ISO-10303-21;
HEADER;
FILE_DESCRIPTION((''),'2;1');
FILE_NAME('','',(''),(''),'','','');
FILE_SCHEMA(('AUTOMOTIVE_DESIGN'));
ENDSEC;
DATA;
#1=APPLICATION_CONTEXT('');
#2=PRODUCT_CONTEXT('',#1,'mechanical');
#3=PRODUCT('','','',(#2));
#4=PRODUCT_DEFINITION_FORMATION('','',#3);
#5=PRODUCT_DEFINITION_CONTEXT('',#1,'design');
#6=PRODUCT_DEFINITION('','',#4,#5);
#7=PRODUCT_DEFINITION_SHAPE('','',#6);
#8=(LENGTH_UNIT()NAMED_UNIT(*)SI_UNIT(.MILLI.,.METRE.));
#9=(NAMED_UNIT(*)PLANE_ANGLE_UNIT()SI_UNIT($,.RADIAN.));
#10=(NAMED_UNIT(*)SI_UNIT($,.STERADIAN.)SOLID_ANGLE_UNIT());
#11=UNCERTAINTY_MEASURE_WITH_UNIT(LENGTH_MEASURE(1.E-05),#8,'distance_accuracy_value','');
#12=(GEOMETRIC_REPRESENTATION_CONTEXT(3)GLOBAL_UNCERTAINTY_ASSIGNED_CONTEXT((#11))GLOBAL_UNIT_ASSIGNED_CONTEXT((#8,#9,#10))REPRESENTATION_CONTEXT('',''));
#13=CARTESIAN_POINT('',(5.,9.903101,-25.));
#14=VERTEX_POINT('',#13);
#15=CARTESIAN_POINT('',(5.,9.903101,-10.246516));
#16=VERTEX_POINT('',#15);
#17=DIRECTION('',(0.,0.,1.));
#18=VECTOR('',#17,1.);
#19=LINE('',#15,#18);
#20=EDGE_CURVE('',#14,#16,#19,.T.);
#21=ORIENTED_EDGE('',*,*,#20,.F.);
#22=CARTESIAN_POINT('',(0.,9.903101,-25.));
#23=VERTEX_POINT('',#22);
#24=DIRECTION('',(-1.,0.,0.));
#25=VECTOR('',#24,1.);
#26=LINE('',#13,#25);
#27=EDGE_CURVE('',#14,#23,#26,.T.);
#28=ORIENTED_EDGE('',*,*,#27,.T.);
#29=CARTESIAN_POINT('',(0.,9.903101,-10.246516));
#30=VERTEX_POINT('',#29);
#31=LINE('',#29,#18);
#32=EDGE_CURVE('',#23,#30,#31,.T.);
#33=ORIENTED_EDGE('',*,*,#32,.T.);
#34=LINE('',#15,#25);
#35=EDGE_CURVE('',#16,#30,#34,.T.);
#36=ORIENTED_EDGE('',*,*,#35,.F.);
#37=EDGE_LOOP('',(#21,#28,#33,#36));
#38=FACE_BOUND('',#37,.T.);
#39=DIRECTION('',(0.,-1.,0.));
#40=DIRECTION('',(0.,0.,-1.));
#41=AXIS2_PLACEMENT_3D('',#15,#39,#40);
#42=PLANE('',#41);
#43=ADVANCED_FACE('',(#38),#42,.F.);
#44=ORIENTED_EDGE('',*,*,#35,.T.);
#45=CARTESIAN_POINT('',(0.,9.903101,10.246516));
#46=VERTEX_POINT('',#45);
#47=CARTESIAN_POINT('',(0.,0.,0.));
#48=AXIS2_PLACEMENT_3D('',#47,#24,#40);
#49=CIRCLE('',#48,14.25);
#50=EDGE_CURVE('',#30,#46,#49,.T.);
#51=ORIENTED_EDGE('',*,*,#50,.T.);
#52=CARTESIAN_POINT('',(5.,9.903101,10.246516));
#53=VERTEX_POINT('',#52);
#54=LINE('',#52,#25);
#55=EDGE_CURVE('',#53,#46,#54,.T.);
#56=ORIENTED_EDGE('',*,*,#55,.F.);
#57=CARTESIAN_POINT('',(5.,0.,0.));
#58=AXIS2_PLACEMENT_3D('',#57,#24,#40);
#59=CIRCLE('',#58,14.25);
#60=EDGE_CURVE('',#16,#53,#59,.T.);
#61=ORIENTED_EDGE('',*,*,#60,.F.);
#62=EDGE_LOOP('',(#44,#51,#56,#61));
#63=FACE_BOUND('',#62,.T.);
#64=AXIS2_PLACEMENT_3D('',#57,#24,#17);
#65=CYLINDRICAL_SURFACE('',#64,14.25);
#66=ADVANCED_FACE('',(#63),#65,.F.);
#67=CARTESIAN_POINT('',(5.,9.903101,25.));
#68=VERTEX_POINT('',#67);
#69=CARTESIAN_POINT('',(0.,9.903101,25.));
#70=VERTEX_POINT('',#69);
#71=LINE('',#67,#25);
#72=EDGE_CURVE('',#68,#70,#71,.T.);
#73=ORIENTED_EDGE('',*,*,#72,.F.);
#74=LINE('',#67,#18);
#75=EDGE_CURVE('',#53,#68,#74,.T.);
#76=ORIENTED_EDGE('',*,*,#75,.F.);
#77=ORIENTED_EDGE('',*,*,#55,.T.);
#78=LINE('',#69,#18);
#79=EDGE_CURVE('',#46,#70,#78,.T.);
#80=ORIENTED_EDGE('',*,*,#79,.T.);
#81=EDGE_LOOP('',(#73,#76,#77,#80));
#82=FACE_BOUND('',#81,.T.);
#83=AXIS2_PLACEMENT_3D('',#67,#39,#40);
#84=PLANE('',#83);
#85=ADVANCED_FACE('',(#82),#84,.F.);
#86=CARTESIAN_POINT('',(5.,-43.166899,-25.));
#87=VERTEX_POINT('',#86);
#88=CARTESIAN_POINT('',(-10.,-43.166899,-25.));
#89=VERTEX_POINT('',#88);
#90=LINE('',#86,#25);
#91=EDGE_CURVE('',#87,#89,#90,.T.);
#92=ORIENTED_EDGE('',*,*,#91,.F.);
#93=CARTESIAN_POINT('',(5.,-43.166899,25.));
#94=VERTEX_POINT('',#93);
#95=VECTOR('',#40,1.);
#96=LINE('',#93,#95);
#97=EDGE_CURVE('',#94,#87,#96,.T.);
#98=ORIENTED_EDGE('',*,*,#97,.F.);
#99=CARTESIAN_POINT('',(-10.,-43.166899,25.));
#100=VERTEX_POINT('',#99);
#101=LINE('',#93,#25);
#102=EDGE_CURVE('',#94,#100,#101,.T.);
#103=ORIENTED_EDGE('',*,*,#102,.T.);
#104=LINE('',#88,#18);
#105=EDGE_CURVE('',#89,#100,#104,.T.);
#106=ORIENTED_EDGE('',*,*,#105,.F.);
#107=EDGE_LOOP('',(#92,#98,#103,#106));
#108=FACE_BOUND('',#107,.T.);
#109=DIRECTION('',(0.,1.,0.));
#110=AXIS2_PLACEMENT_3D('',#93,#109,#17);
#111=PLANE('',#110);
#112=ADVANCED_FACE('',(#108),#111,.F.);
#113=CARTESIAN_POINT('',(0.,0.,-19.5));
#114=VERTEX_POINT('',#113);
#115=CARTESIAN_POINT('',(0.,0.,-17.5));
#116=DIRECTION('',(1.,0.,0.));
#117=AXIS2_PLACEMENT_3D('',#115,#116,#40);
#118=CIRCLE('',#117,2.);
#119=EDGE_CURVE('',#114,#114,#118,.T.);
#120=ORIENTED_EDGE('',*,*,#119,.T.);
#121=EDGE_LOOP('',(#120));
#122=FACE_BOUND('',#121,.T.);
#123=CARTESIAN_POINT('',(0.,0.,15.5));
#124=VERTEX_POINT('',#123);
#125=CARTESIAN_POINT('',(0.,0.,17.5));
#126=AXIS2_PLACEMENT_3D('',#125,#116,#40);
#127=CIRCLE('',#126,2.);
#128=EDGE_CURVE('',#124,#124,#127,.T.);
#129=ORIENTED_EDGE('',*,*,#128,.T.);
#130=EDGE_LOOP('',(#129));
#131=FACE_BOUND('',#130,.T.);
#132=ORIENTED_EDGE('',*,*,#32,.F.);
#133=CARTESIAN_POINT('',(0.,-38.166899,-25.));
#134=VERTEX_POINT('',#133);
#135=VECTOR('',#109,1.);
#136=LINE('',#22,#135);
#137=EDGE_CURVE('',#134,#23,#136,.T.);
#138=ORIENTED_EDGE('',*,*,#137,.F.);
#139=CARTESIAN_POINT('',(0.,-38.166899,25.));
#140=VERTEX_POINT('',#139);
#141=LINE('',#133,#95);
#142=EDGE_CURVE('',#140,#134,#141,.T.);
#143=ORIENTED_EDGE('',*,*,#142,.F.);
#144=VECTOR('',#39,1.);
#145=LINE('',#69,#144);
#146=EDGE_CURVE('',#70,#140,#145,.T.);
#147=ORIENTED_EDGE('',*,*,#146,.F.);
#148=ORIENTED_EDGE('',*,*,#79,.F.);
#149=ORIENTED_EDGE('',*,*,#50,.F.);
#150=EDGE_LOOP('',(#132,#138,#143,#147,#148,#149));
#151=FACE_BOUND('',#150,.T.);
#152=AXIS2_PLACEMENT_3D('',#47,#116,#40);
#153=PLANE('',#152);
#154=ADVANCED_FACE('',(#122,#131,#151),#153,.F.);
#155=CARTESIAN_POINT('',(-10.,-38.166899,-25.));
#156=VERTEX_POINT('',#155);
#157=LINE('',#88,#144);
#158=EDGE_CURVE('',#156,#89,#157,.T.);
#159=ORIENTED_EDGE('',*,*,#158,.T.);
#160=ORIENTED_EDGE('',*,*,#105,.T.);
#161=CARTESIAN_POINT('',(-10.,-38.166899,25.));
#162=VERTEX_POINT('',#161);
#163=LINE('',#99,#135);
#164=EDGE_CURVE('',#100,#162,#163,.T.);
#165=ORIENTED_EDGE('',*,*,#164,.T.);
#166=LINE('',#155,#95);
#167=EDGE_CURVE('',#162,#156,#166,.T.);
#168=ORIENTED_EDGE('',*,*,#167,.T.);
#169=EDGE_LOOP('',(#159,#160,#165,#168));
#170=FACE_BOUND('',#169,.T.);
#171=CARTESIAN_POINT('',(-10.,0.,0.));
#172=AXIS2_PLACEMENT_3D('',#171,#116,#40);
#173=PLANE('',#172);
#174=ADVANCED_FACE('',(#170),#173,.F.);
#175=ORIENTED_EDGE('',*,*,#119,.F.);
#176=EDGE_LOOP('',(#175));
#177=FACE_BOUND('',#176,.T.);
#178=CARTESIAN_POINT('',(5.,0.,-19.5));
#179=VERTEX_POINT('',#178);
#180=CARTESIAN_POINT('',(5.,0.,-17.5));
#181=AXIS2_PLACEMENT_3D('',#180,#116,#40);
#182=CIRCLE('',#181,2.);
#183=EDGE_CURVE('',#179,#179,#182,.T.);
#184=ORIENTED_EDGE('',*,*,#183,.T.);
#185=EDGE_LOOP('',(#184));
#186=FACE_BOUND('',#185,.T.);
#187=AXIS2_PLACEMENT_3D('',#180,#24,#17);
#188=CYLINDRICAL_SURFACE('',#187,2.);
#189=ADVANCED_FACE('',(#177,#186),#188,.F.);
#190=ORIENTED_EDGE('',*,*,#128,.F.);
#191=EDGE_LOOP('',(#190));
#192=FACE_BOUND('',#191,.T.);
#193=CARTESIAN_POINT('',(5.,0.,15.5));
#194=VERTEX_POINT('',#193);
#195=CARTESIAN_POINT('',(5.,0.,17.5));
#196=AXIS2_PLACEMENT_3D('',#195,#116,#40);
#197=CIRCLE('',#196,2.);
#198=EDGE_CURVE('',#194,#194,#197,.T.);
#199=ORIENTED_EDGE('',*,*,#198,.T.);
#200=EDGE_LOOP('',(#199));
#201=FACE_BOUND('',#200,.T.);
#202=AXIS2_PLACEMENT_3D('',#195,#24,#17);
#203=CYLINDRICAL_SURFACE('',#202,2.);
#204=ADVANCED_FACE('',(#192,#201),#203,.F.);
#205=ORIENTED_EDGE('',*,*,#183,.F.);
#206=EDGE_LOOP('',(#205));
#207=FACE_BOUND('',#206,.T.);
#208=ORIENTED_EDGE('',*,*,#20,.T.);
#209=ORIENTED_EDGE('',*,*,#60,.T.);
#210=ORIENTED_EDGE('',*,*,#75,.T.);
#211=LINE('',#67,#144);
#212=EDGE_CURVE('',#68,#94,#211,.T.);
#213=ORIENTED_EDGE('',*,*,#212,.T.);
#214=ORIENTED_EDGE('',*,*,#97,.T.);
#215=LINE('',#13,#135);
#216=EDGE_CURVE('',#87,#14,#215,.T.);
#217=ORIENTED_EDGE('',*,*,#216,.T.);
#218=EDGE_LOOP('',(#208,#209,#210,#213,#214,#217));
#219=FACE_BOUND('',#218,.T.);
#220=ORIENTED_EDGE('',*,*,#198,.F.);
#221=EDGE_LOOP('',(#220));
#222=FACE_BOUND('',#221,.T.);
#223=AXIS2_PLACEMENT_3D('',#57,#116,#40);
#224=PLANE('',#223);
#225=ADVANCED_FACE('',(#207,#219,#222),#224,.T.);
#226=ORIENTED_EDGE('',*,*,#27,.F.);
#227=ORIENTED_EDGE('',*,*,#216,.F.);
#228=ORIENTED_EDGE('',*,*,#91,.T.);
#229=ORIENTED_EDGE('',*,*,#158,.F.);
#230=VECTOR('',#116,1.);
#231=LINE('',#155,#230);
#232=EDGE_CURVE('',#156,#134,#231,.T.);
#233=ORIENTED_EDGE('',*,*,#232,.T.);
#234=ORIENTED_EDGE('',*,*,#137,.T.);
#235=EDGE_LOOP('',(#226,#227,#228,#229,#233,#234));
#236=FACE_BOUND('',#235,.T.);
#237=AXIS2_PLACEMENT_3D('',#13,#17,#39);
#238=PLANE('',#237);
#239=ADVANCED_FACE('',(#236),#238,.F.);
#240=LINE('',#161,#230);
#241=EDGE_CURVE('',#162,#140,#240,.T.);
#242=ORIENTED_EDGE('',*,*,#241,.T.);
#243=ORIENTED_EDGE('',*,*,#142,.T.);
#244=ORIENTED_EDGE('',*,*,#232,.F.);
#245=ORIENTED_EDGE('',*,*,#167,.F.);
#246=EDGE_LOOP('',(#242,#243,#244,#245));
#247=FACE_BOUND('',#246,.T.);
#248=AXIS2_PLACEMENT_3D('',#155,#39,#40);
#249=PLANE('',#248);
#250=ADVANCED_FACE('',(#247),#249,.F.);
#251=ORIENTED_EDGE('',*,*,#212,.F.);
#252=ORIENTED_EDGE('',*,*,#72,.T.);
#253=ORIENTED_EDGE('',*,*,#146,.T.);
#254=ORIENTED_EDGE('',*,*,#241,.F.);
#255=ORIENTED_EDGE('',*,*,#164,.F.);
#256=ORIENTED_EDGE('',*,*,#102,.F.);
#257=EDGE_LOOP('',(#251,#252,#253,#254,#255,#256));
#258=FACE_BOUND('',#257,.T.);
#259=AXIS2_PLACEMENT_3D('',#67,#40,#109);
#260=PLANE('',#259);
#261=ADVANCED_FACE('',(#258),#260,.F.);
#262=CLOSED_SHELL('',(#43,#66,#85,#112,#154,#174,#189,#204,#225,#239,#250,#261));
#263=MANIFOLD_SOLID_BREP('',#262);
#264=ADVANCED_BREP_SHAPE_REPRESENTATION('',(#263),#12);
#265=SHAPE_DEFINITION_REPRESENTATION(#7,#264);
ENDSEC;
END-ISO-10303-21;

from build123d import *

# Parameters (mm, degrees)
SKETCH_2_R      = 2
EXTRUDE_2_DEPTH = 5
SKETCH_4_W      = 50
SKETCH_4_H      = 5
EXTRUDE_3_DEPTH = 10


with BuildPart() as part:
    # 草图2 → 凸台-拉伸2 (new body)
    with BuildSketch(Plane(origin=(0, 0, 0), x_dir=(0, 0, -1), z_dir=(1, 0, 0))):
        with BuildLine():
            Line((-25, 9.903100775), (-10.246516239, 9.903100775))
            ThreePointArc((-10.246516239, 9.903100775), (0, -14.25), (10.246516239, 9.903100775))
            Line((10.246516239, 9.903100775), (25, 9.903100775))
            Line((25, 9.903100775), (25, -43.166899225))
            Line((25, -43.166899225), (-25, -43.166899225))
            Line((-25, -43.166899225), (-25, 9.903100775))
        make_face()
        with Locations((17.5, 0)):
            Circle(SKETCH_2_R, mode=Mode.SUBTRACT)
        with Locations((-17.5, 0)):
            Circle(SKETCH_2_R, mode=Mode.SUBTRACT)
    extrude(amount=EXTRUDE_2_DEPTH)

    # 草图4 → 凸台-拉伸3 (add)
    with BuildSketch(Plane.ZY):
        with Locations((0, -40.666899225)):
            Rectangle(SKETCH_4_W, SKETCH_4_H)
    extrude(amount=EXTRUDE_3_DEPTH)


solid = part.part
